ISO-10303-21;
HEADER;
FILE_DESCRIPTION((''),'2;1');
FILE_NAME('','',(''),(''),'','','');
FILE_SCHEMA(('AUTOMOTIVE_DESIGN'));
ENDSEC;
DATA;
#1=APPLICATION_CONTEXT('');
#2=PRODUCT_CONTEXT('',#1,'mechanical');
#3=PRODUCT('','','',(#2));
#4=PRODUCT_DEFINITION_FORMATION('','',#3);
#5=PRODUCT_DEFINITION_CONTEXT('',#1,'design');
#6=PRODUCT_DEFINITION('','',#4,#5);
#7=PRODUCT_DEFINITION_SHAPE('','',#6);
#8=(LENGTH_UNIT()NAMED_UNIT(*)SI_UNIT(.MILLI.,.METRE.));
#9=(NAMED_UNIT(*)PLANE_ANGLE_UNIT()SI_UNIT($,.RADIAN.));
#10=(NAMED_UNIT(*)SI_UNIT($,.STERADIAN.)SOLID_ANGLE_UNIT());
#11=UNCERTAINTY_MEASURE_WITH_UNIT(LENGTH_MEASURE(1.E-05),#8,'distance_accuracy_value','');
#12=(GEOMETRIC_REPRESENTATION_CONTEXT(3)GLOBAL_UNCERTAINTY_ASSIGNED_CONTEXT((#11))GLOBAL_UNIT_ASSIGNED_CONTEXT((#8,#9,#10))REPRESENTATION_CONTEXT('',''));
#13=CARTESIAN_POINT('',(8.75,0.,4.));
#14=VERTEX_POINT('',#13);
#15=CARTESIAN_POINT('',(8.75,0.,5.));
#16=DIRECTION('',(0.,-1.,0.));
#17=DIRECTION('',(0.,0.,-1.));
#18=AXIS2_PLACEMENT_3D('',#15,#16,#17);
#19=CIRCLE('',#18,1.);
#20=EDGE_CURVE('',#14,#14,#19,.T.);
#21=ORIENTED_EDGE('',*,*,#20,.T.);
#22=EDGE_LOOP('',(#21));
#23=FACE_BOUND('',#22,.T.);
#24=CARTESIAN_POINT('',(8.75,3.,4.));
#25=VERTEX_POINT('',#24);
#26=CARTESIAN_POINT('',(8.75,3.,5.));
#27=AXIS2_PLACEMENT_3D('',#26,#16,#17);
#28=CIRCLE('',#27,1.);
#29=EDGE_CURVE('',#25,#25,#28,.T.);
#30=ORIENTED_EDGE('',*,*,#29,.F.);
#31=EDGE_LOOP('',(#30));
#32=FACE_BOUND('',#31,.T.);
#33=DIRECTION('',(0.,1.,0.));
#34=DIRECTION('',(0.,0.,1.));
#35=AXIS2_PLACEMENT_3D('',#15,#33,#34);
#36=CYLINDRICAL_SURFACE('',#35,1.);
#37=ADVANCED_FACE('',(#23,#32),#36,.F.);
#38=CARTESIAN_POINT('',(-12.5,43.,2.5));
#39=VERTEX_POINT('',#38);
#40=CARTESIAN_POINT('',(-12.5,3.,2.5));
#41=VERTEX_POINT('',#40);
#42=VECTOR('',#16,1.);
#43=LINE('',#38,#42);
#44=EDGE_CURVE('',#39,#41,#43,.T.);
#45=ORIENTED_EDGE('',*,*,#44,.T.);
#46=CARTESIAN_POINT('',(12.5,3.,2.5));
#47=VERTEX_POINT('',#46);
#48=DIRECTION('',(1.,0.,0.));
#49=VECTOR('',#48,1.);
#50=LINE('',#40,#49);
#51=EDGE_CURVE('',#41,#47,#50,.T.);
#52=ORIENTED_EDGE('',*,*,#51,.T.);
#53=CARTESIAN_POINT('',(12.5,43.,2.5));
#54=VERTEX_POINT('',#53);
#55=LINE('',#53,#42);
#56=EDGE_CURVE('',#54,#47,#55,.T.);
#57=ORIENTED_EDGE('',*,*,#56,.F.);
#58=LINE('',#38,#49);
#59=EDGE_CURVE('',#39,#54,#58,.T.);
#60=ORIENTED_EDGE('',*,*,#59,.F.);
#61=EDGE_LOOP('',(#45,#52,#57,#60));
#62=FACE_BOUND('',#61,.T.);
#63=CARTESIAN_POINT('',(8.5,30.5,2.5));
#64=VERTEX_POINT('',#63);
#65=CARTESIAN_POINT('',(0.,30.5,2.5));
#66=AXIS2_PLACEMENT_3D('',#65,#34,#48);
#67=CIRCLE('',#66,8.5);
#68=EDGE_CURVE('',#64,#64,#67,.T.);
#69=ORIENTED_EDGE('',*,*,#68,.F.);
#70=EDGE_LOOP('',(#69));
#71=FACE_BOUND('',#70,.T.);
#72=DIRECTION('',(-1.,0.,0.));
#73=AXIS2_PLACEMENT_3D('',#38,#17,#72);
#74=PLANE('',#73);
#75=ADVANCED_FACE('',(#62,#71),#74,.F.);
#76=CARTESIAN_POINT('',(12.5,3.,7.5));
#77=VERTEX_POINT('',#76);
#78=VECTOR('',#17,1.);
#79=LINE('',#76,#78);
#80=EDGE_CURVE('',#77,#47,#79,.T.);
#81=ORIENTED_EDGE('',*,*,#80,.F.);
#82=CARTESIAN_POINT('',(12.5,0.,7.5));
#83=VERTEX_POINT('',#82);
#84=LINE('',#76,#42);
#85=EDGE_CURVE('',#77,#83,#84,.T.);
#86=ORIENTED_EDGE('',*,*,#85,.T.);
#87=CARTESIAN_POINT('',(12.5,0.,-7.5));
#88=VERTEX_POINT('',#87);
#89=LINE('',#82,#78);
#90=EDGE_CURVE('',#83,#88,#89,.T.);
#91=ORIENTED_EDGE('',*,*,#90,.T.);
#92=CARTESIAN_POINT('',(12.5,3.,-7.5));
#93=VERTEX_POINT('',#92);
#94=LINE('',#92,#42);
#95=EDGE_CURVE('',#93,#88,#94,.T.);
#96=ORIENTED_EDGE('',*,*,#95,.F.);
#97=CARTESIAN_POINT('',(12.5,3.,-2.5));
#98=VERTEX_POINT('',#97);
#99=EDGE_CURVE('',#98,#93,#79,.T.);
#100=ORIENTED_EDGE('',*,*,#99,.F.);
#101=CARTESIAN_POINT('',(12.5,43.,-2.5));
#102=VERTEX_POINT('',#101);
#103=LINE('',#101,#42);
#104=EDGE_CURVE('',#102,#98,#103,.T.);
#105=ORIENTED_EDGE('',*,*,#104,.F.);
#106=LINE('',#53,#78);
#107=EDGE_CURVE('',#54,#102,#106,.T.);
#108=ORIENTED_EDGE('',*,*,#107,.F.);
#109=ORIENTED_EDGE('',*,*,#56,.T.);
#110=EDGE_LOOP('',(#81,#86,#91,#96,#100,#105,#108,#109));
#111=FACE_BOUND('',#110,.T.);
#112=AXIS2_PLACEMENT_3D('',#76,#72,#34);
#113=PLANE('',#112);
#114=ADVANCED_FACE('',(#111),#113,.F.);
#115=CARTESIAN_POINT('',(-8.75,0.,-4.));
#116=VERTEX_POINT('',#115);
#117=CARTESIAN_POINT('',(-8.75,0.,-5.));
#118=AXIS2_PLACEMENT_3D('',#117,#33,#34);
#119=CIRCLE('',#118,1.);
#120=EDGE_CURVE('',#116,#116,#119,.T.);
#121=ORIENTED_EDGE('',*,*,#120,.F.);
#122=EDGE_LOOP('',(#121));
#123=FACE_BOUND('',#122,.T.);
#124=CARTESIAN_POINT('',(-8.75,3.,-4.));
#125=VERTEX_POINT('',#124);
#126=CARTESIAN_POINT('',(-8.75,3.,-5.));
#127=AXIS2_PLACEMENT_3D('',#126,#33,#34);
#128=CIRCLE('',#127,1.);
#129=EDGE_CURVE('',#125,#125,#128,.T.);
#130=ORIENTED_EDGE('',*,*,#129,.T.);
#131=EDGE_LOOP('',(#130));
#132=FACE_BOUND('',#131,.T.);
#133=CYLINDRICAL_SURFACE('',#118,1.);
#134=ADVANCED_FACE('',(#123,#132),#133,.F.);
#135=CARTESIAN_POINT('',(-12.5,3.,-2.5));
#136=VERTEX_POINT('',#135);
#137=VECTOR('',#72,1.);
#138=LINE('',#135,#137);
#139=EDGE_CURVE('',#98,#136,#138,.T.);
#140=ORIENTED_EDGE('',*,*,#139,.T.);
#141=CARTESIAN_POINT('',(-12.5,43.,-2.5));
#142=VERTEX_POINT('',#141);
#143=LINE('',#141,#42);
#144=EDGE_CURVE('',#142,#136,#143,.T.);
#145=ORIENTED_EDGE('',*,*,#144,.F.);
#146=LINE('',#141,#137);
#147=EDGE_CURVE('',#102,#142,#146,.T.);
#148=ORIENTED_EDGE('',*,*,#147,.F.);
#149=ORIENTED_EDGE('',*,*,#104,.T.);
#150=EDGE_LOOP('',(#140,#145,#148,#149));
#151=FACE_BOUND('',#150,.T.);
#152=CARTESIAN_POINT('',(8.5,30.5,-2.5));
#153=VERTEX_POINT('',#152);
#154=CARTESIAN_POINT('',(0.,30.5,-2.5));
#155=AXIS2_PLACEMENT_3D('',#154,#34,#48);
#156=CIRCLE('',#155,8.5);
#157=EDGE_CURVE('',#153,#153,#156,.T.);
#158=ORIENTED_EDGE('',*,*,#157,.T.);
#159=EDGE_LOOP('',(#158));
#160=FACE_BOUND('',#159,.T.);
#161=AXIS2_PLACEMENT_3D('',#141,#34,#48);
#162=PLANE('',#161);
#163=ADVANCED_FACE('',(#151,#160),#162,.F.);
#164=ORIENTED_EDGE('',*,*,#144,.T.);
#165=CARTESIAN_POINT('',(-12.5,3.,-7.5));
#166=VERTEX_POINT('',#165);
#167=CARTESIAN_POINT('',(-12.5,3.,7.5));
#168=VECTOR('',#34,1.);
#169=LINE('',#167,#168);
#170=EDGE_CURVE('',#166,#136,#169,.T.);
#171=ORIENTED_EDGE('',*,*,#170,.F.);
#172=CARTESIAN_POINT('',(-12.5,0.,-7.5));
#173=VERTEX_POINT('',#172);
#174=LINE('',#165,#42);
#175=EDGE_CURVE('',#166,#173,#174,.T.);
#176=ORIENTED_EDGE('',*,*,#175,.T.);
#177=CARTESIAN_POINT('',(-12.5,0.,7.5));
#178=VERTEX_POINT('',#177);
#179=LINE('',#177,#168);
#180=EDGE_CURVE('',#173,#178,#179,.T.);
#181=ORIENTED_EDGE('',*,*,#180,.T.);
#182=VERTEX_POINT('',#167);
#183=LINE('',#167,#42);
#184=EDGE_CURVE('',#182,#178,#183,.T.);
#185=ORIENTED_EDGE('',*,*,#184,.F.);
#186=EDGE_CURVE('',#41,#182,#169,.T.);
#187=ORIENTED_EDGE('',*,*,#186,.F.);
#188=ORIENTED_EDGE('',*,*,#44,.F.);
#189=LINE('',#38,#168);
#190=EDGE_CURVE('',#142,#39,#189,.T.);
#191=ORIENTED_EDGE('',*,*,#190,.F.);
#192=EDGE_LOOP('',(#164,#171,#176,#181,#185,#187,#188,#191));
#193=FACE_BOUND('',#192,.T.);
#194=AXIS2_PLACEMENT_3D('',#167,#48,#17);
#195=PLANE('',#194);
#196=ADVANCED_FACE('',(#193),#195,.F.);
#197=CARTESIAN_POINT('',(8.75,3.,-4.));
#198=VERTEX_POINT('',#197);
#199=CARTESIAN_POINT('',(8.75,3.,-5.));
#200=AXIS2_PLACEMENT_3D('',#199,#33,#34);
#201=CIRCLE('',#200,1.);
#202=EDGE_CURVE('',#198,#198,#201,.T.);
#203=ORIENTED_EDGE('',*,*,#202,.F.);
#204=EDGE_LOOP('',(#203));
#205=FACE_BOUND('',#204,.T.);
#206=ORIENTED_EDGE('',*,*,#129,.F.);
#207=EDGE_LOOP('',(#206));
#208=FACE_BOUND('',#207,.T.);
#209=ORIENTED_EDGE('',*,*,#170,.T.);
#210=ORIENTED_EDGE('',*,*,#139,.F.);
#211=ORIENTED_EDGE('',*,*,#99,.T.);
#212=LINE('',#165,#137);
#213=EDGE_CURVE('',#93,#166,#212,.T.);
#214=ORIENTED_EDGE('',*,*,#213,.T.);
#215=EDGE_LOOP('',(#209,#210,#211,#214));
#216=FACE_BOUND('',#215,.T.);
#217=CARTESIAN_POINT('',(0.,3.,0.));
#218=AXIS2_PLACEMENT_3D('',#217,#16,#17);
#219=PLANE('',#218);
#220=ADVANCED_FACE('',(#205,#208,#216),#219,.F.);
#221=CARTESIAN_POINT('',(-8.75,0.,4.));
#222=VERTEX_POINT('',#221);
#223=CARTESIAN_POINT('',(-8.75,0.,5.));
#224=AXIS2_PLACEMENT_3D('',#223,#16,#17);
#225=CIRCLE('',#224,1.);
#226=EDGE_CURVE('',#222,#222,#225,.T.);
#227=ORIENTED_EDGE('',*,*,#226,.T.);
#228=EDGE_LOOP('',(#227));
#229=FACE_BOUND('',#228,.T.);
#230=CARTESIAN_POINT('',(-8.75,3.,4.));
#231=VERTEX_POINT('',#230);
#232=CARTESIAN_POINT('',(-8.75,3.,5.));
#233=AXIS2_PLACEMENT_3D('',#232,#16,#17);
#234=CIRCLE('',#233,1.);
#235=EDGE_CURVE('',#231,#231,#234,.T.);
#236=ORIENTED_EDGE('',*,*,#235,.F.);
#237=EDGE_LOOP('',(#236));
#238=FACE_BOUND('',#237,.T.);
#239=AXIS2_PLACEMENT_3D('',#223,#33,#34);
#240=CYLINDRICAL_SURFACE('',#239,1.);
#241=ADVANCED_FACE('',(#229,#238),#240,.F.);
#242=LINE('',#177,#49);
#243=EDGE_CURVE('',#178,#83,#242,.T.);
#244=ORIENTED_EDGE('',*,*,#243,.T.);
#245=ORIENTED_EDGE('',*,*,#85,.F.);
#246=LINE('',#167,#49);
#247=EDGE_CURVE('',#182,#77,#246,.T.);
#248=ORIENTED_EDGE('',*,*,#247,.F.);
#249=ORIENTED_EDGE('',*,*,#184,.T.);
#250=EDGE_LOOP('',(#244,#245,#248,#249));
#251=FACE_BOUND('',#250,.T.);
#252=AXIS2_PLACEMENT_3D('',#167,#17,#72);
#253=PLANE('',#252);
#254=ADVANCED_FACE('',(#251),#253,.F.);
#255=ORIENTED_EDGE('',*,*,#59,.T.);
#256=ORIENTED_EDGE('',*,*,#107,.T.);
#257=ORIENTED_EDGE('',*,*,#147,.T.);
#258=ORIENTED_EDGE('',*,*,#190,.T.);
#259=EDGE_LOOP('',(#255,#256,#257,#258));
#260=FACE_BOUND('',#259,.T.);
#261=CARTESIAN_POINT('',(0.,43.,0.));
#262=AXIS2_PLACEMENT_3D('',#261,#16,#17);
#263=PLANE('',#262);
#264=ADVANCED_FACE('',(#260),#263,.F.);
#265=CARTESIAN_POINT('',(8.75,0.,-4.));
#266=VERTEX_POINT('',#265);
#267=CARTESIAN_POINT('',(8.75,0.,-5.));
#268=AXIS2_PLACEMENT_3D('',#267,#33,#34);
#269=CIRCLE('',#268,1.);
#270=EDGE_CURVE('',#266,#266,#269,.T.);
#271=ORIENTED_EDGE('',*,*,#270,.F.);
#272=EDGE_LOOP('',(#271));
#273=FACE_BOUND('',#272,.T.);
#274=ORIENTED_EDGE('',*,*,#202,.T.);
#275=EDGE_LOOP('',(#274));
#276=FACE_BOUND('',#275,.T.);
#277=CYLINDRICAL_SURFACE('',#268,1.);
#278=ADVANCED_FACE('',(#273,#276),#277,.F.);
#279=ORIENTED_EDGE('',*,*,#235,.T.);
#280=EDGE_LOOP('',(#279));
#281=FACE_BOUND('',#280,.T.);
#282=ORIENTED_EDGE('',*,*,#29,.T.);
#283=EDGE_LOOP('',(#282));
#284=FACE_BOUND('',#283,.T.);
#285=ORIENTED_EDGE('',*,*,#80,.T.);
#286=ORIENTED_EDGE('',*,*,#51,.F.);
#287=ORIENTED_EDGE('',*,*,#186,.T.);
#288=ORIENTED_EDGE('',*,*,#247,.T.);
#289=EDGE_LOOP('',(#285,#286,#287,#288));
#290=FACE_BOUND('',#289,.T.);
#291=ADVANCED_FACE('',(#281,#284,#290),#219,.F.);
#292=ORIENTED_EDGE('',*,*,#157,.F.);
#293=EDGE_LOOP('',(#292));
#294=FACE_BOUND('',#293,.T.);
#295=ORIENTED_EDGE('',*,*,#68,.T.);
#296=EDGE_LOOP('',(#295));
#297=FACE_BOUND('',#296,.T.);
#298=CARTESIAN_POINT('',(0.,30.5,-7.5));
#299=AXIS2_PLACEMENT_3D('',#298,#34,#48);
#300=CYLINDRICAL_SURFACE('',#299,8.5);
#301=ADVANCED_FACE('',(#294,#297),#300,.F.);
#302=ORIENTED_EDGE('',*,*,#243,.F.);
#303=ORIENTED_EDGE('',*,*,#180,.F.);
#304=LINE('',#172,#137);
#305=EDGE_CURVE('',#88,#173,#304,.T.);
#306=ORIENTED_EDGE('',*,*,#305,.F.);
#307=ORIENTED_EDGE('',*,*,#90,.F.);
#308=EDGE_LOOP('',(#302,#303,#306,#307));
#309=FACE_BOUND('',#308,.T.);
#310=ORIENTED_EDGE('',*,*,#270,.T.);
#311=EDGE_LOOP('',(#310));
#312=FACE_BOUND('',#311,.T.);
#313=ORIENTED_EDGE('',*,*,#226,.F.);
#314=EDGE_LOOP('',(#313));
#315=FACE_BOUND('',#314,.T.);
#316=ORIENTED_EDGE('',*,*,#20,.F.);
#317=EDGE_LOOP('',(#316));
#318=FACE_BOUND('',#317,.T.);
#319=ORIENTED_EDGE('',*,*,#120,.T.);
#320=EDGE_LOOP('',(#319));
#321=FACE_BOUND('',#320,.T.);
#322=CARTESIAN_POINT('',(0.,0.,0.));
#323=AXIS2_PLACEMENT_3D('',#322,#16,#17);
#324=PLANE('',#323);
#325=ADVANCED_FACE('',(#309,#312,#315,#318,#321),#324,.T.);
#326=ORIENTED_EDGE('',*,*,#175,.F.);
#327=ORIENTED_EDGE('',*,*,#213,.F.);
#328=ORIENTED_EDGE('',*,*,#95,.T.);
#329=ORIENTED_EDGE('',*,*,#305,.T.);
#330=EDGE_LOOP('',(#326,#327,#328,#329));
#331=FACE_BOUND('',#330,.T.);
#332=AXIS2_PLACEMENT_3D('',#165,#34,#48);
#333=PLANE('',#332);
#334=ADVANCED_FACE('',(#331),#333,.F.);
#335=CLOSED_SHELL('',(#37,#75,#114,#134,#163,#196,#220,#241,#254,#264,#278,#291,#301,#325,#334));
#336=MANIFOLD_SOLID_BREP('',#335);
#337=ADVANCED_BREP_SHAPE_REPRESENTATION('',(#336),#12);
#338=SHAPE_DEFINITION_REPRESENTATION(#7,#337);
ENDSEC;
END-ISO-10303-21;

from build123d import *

# Parameters (mm, degrees)
SKETCH1_W           = 25
SKETCH1_H           = 15
BOSS_EXTRUDE1_DEPTH = 3
SKETCH2_W           = 25
SKETCH2_H           = 5
BOSS_EXTRUDE2_DEPTH = 40
SKETCH3_R           = 1
CUT_EXTRUDE1_DEPTH  = 43.573465915
SKETCH4_R           = 8.5
CUT_EXTRUDE2_DEPTH  = 46.883003389


with BuildPart() as part:
    # Sketch1 → Boss-Extrude1 (new body)
    with BuildSketch(Plane(origin=(0, 0, 0), x_dir=(1, 0, 0), z_dir=(0, 1, 0))):
        Rectangle(SKETCH1_W, SKETCH1_H)
    extrude(amount=BOSS_EXTRUDE1_DEPTH)

    # Sketch2 → Boss-Extrude2 (add)
    with BuildSketch(Plane(origin=(0, 3, 0), x_dir=(1, 0, 0), z_dir=(0, 1, 0))):
        Rectangle(SKETCH2_W, SKETCH2_H)
    extrude(amount=BOSS_EXTRUDE2_DEPTH)

    # Sketch3 → Cut-Extrude1 (cut, through all)
    with BuildSketch(Plane(origin=(0, 3, 0), x_dir=(1, 0, 0), z_dir=(0, 1, 0))):
        with Locations(Location((-8.75, 5, 0), (0, 0, 270))):
            Circle(SKETCH3_R)
        with Locations(Location((8.75, 5, 0), (0, 0, 270))):
            Circle(SKETCH3_R)
    cut_extrude1 = extrude(amount=-CUT_EXTRUDE1_DEPTH, mode=Mode.SUBTRACT)

    # Mirror1: Cut-Extrude1 across plane
    add(cut_extrude1.mirror(Plane.XY), mode=Mode.SUBTRACT)

    # Sketch4 → Cut-Extrude2 (cut, through all)
    with BuildSketch(Plane.XY.offset(2.5)):
        with Locations((0, 30.5)):
            Circle(SKETCH4_R)
    extrude(amount=-CUT_EXTRUDE2_DEPTH, mode=Mode.SUBTRACT)


solid = part.part
